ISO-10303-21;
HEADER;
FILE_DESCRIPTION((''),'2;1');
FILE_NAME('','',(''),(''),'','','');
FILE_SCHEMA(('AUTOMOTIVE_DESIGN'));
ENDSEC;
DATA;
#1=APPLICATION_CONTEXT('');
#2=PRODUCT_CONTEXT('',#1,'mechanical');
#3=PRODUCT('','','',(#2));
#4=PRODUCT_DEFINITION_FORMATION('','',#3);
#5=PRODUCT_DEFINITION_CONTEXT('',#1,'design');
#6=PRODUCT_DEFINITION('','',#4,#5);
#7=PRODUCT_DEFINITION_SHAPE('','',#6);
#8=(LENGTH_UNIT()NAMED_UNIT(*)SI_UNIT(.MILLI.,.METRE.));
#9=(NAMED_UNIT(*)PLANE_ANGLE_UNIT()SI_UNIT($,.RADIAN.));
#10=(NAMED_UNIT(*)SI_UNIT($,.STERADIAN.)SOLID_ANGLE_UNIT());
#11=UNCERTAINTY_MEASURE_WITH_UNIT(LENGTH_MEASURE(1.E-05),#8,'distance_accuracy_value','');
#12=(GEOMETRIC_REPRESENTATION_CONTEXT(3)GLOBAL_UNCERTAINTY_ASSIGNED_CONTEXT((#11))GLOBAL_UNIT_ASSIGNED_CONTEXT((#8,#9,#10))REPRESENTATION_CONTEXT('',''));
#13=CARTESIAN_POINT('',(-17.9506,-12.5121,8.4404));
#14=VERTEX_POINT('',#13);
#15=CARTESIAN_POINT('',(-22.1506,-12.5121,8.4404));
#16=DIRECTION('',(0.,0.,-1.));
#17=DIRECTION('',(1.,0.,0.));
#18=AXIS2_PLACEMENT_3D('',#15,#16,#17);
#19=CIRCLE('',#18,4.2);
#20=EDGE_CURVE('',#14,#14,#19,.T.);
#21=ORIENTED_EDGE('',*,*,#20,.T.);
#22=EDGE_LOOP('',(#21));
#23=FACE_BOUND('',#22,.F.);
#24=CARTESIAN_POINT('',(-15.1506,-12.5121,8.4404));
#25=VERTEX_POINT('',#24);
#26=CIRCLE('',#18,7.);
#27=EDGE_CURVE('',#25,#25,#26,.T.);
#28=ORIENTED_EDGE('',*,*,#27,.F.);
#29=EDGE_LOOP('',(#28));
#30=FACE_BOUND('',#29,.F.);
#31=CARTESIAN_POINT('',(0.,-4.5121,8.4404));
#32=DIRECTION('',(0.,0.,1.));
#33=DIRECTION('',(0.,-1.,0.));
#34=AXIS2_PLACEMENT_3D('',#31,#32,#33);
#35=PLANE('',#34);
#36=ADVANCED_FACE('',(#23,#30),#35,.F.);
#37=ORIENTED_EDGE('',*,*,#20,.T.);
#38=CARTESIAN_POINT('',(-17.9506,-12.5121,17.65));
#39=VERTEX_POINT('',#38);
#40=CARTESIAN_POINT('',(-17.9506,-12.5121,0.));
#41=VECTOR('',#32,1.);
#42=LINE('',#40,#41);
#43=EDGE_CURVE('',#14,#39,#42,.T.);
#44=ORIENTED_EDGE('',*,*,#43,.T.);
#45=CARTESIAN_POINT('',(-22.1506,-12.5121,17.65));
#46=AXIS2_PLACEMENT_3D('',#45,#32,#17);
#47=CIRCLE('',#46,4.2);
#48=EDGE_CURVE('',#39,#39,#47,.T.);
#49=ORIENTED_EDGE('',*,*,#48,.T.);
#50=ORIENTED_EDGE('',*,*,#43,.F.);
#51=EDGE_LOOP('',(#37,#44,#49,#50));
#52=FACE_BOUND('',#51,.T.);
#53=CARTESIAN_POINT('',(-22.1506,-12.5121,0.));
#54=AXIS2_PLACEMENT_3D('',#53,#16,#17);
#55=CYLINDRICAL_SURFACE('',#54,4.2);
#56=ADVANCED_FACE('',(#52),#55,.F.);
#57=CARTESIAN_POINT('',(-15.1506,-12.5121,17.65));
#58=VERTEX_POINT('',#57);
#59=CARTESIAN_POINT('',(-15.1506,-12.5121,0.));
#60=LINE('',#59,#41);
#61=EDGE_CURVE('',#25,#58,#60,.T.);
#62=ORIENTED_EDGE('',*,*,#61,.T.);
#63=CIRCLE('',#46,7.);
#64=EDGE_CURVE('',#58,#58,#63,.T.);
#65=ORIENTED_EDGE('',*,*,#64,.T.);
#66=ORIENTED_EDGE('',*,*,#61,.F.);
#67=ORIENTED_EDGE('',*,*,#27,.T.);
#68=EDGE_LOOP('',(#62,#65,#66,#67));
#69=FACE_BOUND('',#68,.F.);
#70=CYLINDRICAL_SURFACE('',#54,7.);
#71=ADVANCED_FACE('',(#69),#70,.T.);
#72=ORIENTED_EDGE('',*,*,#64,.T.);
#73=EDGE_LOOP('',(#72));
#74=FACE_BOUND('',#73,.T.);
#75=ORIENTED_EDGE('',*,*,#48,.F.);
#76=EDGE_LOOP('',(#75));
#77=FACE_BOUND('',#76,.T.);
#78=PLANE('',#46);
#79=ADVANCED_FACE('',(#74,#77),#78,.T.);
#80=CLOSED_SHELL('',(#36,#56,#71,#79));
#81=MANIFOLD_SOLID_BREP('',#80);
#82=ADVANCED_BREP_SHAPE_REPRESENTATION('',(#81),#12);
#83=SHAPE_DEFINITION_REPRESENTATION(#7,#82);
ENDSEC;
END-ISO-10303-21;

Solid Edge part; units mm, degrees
sketch "Sketch1" plane through (0, 0, 0) normal (0, 0, 1) x (1, 0, 0)
  circle A0 centre (-22.1506, -12.5121) radius 4.2
  circle A1 centre (-22.1506, -12.5121) radius 7
extrude "Protrusion1" add sketch "Sketch1" along normal blind 17.65
sketch "Sketch2" plane through (0, 0, 0) normal (1, 0, 0) x (0, 1, 0)
  line L0 (-4.5121, 8.4404) -> (-20.5121, 8.4404)
  line L1 (-20.5121, 8.4404) -> (-20.5121, 0)
  line L2 (-20.5121, 0) -> (-4.5121, 0)
  line L3 (-4.5121, 8.4404) -> (-4.5121, 0)
extrude "ExtrudedCutout_1" cut sketch "Sketch2" against normal blind 379.32
